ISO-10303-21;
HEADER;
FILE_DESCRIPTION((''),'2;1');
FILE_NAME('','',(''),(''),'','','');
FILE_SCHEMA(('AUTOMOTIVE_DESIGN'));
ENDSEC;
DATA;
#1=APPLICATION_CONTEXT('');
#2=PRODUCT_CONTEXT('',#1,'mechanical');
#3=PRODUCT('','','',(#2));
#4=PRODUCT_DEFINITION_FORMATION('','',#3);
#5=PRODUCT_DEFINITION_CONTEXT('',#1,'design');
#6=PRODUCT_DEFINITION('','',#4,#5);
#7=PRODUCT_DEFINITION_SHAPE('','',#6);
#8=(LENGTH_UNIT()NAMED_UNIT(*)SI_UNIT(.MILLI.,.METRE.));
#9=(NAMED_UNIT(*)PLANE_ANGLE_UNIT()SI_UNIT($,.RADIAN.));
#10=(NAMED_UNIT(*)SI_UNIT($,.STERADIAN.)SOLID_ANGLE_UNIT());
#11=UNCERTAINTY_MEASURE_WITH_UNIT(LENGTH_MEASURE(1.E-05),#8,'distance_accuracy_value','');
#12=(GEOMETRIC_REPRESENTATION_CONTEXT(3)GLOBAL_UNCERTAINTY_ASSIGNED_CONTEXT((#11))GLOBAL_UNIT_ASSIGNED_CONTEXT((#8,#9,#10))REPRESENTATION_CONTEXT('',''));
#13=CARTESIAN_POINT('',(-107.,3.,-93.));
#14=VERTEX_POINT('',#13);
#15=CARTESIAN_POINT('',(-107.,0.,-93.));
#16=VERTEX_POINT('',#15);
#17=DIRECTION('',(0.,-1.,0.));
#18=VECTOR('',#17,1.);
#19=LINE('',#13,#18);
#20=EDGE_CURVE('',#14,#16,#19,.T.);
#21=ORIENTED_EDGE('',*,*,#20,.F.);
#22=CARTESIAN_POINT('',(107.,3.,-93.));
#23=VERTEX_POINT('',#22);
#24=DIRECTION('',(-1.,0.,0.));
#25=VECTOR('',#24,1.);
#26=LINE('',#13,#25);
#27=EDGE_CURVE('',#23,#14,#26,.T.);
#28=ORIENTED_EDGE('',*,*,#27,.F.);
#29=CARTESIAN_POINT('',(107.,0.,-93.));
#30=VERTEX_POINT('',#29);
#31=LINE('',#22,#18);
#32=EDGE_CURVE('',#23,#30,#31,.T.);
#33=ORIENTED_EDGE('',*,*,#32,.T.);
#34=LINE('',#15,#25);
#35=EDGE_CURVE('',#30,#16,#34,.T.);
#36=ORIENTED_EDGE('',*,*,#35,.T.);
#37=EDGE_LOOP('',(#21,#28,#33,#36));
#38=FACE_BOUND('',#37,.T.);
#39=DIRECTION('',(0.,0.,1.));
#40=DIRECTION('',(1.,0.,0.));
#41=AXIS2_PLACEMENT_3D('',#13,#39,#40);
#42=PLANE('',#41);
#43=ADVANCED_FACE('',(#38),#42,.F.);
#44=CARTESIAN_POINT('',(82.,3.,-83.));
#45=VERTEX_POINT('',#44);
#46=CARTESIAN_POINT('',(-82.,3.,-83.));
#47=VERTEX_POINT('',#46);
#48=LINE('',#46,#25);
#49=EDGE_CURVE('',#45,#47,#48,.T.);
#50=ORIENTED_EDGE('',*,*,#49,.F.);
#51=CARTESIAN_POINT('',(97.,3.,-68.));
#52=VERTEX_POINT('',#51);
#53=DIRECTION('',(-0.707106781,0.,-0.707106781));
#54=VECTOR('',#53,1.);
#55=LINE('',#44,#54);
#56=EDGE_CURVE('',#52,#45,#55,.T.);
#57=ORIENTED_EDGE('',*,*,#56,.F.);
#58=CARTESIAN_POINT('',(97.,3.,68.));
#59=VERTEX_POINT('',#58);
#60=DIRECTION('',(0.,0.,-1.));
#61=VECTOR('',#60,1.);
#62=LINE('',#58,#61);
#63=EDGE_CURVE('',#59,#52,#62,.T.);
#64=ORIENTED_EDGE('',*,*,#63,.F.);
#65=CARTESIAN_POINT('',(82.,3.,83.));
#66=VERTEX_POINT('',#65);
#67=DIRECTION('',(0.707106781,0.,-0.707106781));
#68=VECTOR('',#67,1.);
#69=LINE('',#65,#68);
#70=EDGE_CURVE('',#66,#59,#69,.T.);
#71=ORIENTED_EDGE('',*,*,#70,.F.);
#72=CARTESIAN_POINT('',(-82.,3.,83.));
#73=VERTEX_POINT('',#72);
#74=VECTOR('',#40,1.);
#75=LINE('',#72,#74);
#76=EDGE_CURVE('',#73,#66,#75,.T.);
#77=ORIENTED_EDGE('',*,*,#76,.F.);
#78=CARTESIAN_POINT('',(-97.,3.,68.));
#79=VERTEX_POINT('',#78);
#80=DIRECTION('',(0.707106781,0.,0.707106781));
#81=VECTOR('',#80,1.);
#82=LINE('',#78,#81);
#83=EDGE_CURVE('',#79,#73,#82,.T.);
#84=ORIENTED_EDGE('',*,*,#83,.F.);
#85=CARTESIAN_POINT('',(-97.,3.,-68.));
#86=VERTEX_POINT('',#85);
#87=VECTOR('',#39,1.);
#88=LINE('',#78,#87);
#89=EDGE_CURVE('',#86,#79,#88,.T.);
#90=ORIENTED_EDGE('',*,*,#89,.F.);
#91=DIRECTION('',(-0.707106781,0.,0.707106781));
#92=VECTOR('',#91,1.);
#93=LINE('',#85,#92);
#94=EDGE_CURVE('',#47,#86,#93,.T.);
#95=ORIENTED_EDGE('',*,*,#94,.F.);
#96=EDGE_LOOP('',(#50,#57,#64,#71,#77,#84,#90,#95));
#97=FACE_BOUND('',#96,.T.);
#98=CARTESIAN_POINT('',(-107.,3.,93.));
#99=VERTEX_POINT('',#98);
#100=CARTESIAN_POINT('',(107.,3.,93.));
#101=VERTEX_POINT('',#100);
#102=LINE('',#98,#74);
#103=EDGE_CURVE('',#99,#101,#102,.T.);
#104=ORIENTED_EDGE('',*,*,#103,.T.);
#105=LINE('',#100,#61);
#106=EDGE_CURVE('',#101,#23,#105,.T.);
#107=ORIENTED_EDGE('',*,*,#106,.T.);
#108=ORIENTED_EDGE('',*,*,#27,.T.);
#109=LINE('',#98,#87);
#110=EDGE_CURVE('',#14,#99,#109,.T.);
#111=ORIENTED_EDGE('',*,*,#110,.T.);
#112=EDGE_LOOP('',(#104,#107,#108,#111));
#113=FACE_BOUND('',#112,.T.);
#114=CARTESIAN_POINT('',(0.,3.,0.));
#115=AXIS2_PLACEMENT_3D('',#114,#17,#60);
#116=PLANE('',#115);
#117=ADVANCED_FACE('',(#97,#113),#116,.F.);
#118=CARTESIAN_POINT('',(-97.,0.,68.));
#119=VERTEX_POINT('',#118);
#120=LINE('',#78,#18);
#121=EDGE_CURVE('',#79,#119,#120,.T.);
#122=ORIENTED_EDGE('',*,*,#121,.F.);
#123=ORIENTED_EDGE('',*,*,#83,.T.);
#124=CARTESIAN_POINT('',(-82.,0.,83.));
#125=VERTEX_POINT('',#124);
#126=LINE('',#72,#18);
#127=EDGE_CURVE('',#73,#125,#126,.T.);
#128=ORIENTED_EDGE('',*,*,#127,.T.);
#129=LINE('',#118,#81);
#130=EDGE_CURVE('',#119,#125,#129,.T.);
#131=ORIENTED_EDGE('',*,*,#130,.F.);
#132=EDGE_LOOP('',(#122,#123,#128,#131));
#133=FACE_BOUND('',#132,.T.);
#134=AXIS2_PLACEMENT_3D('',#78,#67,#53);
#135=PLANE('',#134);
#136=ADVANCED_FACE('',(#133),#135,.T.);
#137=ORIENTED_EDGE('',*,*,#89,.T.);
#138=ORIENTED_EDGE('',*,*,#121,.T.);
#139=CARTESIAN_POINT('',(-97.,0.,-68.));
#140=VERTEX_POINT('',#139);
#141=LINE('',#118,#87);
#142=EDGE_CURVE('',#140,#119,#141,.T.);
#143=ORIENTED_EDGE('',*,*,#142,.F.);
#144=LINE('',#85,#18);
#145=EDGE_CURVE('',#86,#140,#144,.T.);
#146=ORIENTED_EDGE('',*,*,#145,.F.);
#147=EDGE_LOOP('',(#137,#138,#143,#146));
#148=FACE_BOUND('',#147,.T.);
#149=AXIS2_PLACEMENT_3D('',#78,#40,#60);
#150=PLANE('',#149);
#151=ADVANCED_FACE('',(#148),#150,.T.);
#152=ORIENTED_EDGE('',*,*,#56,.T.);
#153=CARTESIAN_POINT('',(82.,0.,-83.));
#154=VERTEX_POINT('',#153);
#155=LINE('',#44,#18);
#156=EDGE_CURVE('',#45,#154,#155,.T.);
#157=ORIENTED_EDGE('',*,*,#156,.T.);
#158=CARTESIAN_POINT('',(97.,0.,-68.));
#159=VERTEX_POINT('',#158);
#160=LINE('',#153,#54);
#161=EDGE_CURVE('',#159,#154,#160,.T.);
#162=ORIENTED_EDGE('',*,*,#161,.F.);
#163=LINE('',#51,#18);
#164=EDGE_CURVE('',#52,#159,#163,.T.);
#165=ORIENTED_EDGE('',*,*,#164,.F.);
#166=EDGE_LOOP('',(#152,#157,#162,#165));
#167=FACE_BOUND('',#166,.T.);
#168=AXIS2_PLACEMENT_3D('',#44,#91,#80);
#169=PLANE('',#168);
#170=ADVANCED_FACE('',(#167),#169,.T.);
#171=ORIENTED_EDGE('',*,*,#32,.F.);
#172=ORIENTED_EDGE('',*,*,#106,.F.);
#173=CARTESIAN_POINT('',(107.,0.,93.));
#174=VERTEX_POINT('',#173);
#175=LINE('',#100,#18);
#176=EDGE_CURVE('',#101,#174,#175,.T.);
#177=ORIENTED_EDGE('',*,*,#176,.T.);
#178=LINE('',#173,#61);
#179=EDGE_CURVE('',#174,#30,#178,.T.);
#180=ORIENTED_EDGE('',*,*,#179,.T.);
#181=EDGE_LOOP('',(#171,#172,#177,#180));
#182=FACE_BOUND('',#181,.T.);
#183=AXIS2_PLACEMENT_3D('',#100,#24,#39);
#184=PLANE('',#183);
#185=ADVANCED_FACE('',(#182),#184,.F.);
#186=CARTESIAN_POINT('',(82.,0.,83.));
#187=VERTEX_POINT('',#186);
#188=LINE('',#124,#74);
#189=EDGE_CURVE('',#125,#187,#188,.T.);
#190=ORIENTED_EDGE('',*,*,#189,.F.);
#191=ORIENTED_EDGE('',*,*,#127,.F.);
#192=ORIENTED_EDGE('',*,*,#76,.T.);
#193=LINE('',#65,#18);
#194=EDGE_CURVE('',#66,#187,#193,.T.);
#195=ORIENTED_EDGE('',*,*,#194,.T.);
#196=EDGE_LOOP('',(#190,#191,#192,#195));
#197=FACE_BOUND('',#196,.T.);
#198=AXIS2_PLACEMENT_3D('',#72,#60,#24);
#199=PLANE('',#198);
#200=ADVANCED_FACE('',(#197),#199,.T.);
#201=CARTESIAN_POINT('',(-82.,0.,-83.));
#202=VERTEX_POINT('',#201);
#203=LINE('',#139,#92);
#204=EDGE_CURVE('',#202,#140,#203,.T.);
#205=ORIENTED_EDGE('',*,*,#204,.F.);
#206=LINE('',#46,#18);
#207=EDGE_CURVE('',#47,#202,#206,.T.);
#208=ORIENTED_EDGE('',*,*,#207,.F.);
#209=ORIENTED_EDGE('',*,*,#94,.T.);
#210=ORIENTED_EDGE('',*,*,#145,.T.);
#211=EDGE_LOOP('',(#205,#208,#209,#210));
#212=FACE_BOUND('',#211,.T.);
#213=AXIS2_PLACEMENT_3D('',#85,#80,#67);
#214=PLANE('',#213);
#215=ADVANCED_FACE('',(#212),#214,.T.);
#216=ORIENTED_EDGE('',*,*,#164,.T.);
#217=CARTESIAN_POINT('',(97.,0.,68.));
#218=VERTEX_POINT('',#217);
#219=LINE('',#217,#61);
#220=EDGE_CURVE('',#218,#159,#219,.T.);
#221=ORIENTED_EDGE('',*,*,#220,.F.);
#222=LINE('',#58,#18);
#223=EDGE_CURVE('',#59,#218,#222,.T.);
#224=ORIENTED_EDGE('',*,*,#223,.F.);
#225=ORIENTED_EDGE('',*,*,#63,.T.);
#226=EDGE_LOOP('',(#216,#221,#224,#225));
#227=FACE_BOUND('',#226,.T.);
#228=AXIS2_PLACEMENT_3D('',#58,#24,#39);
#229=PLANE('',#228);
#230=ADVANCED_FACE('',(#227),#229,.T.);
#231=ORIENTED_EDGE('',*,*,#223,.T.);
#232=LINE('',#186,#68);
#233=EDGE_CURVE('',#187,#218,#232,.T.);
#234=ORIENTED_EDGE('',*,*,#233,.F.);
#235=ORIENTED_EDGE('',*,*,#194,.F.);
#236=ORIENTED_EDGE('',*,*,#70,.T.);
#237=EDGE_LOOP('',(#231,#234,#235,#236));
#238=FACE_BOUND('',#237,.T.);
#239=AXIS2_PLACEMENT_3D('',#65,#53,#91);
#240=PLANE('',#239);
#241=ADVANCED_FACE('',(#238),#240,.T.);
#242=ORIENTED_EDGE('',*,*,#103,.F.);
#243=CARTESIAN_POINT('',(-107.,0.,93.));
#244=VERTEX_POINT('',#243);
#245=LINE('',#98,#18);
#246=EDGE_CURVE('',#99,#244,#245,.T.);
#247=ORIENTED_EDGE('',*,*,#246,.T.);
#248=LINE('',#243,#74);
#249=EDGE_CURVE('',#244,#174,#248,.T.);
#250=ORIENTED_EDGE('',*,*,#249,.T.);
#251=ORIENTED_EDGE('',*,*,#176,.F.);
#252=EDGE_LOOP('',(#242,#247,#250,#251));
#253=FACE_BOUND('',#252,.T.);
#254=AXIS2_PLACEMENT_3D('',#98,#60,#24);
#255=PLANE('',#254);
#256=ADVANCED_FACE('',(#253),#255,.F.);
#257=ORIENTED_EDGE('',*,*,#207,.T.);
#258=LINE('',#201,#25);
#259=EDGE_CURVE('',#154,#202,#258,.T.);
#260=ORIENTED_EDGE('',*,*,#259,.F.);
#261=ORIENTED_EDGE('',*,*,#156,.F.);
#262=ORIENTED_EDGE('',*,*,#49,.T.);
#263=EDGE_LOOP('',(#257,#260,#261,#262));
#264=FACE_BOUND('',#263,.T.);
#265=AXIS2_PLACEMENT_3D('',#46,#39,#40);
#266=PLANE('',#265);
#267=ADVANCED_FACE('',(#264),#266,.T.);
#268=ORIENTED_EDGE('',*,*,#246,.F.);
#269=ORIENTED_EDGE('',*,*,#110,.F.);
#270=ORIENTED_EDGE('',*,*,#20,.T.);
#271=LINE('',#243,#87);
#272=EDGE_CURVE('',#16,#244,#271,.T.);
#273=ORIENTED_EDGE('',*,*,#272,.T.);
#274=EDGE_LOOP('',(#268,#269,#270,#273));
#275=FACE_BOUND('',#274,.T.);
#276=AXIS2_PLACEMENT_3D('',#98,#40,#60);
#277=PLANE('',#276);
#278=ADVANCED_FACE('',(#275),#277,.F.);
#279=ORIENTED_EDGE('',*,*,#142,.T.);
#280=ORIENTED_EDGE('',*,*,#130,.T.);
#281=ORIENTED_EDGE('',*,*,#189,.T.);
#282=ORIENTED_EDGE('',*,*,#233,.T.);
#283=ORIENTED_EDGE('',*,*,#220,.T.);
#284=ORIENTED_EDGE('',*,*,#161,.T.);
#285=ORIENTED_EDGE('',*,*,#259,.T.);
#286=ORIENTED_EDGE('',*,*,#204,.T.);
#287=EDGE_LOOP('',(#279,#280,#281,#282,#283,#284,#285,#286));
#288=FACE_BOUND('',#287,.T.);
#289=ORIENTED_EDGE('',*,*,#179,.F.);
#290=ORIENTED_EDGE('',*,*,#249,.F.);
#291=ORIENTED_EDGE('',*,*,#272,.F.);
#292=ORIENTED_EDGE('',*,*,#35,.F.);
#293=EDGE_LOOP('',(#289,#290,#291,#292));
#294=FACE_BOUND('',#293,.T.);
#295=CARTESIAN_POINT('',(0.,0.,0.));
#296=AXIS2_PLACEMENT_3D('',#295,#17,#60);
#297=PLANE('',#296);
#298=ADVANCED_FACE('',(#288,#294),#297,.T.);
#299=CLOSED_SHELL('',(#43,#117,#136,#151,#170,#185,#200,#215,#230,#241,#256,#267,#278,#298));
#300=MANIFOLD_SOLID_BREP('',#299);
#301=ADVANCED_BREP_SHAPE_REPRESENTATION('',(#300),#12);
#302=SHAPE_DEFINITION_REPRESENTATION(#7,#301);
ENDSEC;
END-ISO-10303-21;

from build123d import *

# Parameters (mm, degrees)
SKETCH1_W           = 214
SKETCH1_H           = 186
BOSS_EXTRUDE1_DEPTH = 3


with BuildPart() as part:
    # Sketch1 → Boss-Extrude1 (new body)
    with BuildSketch(Plane(origin=(0, 0, 0), x_dir=(1, 0, 0), z_dir=(0, 1, 0))):
        Rectangle(SKETCH1_W, SKETCH1_H)
        Polygon((-82, 83), (82, 83), (97, 68), (97, -68), (82, -83), (-82, -83), (-97, -68), (-97, 68), align=None, mode=Mode.SUBTRACT)
    extrude(amount=BOSS_EXTRUDE1_DEPTH)


solid = part.part
